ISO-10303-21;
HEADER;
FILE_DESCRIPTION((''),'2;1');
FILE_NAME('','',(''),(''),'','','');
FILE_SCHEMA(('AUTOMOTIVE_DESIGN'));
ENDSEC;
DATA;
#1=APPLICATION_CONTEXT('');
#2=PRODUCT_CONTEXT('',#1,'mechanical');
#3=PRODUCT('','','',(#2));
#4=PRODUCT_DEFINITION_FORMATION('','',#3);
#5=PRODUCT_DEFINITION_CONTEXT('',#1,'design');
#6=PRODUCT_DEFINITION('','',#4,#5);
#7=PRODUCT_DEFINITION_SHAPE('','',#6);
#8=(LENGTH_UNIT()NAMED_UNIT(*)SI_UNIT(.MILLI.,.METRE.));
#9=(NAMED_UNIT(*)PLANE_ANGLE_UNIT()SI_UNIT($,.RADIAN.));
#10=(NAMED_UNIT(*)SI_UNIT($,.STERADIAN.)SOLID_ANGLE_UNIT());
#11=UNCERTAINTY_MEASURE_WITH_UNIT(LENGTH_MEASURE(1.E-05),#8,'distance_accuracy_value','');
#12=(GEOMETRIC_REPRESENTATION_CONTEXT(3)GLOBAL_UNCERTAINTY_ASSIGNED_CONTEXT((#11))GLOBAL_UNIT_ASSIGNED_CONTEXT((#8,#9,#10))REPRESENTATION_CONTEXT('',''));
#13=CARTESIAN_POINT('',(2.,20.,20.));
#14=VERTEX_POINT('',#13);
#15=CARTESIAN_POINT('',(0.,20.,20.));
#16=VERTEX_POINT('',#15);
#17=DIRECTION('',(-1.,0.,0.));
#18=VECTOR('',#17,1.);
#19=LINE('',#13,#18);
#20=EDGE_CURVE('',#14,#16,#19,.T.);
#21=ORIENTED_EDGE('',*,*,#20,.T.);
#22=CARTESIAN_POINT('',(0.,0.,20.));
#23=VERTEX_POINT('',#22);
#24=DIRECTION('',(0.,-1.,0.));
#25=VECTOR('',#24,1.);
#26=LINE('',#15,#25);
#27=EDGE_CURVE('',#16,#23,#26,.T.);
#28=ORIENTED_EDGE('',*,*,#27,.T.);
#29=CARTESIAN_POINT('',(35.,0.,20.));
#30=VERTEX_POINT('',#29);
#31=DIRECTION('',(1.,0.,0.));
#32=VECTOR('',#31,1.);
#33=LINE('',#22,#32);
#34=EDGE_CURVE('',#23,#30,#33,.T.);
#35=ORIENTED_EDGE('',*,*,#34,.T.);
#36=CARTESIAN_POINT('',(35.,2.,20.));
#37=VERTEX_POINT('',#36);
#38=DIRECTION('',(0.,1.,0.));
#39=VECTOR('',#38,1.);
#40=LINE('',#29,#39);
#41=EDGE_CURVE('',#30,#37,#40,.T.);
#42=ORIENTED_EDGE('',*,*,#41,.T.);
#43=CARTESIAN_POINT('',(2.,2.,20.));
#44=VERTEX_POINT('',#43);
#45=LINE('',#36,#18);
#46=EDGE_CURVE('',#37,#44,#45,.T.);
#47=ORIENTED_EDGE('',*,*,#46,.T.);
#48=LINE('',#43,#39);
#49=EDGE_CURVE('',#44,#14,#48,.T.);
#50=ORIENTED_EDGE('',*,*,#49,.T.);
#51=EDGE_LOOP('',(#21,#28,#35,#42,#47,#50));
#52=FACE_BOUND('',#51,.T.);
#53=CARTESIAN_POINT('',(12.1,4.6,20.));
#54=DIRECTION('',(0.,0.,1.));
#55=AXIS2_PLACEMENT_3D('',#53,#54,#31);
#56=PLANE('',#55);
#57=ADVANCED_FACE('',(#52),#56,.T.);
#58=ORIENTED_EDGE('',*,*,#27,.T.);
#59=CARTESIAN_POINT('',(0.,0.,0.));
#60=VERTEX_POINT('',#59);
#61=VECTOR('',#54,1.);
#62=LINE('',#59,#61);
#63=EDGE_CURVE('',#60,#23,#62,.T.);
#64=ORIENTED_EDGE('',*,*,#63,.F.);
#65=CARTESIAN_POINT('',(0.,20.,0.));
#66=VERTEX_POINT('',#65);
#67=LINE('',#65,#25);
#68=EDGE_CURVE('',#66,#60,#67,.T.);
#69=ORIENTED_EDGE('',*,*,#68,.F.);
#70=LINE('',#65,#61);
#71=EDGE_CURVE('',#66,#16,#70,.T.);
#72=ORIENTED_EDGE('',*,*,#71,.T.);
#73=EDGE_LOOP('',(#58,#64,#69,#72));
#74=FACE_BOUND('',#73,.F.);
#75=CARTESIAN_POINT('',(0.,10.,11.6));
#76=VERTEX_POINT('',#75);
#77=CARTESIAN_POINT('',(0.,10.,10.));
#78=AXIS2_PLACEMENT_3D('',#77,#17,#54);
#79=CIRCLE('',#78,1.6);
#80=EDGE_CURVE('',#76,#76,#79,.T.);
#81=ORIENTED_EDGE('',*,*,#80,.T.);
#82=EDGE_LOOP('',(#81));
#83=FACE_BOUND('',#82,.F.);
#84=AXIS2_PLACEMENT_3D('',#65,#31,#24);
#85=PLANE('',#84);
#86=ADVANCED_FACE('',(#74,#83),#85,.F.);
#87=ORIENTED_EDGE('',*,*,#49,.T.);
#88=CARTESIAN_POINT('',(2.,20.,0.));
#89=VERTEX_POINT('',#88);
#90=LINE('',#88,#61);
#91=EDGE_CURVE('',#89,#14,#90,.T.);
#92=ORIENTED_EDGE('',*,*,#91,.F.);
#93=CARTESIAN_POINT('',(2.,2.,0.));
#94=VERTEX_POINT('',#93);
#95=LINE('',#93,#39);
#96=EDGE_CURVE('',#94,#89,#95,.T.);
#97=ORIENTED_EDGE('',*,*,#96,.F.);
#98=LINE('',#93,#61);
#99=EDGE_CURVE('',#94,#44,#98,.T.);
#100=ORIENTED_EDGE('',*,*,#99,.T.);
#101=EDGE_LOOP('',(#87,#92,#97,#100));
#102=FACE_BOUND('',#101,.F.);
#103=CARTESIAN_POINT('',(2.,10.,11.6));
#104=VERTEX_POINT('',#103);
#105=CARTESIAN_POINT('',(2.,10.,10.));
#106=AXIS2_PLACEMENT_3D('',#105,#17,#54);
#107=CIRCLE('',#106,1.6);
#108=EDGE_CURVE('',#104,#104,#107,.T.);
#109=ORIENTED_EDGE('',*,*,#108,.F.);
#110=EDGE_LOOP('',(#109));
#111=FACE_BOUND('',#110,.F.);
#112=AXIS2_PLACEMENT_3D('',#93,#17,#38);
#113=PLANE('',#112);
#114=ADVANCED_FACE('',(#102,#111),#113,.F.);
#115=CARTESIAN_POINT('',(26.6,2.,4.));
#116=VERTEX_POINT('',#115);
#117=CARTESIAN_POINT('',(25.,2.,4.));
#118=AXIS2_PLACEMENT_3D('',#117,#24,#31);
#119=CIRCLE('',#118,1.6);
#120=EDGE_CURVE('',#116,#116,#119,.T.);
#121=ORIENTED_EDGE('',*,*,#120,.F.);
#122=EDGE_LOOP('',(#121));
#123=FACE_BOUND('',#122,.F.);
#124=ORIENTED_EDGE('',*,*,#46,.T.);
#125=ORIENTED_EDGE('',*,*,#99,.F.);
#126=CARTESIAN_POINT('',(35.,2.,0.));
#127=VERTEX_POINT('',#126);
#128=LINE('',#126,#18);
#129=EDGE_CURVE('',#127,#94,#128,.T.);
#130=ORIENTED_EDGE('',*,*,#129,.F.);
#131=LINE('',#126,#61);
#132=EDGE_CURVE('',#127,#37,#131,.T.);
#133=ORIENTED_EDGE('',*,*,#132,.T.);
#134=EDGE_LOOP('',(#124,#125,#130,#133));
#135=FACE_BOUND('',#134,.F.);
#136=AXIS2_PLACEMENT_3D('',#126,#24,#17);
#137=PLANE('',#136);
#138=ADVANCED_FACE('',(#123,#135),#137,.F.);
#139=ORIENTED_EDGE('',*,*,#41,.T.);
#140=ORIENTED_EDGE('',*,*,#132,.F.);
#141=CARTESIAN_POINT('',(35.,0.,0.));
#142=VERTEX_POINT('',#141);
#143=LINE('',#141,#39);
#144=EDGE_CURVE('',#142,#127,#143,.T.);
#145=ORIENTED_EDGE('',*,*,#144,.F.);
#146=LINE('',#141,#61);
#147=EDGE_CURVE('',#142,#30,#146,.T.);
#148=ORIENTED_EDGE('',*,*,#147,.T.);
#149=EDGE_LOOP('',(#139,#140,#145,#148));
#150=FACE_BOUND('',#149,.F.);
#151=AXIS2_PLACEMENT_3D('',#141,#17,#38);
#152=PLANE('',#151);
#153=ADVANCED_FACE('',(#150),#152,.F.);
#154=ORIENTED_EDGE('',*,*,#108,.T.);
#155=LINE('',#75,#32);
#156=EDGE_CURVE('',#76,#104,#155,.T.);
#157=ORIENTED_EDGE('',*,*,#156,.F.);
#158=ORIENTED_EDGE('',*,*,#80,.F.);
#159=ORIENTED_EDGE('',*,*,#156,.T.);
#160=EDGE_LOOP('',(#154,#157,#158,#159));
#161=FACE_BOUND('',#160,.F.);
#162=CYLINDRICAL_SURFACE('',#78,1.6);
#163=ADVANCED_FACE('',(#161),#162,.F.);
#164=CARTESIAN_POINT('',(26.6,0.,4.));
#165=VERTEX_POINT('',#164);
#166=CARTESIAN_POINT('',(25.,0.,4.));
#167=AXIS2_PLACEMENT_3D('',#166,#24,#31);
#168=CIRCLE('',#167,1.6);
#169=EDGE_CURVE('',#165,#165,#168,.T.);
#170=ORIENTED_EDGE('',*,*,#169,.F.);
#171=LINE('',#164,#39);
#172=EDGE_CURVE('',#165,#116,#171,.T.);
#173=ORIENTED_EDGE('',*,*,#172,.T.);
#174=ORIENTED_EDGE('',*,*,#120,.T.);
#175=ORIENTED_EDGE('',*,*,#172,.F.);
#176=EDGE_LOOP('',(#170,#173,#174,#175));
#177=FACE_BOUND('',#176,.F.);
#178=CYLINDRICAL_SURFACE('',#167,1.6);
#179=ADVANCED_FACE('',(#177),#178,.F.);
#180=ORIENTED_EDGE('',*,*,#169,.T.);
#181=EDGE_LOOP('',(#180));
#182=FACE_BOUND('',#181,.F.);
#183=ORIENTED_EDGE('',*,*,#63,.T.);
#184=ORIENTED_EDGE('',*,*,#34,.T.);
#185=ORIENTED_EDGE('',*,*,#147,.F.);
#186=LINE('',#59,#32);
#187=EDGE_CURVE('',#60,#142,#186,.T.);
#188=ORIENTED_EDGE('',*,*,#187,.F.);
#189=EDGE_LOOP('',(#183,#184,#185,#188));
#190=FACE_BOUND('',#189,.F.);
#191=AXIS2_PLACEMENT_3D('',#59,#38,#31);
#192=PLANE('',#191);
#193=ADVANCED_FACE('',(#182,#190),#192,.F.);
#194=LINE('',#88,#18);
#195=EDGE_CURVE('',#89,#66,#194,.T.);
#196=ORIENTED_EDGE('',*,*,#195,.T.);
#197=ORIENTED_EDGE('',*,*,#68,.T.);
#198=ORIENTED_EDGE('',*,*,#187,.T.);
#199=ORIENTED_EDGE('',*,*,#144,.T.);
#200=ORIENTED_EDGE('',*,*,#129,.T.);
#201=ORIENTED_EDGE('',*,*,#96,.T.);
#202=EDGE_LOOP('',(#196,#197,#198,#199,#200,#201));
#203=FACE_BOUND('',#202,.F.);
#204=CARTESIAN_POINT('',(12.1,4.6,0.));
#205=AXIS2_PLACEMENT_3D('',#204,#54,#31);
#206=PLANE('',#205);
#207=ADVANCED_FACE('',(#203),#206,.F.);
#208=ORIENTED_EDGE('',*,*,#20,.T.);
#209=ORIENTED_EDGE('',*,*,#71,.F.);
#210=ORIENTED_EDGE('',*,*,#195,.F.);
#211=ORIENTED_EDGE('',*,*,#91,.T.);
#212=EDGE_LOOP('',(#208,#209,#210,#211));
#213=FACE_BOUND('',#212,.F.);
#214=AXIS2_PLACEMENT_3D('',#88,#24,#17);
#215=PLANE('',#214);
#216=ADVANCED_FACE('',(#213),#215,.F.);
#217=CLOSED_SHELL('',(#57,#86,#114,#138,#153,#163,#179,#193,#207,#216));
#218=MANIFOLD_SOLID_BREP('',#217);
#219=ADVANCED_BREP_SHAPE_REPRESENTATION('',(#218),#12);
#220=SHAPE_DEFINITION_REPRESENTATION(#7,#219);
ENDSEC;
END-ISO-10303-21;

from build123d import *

# Parameters (mm, degrees)
EXTRUDE_1_DEPTH     = 20
SKETCH_2_R          = 1.6
CUT_EXTRUDE_1_DEPTH = 21
SKETCH_3_R          = 1.6
CUT_EXTRUDE_2_DEPTH = 36


with BuildPart() as part:
    # Эскиз1 → Бобышка-Вытянуть1 (new body)
    with BuildSketch(Plane.XY):
        Polygon((0, 0), (35, 0), (35, 2), (2, 2), (2, 20), (0, 20), align=None)
    extrude(amount=EXTRUDE_1_DEPTH)

    # Эскиз2 → Вырез-Вытянуть1 (cut, through all)
    with BuildSketch(Plane.XZ):
        with Locations((25, 4)):
            Circle(SKETCH_2_R)
    extrude(amount=-CUT_EXTRUDE_1_DEPTH, mode=Mode.SUBTRACT)

    # Эскиз3 → Вырез-Вытянуть2 (cut, through all)
    with BuildSketch(Plane.ZY):
        with Locations((10, 10)):
            Circle(SKETCH_3_R)
    extrude(amount=-CUT_EXTRUDE_2_DEPTH, mode=Mode.SUBTRACT)


solid = part.part
